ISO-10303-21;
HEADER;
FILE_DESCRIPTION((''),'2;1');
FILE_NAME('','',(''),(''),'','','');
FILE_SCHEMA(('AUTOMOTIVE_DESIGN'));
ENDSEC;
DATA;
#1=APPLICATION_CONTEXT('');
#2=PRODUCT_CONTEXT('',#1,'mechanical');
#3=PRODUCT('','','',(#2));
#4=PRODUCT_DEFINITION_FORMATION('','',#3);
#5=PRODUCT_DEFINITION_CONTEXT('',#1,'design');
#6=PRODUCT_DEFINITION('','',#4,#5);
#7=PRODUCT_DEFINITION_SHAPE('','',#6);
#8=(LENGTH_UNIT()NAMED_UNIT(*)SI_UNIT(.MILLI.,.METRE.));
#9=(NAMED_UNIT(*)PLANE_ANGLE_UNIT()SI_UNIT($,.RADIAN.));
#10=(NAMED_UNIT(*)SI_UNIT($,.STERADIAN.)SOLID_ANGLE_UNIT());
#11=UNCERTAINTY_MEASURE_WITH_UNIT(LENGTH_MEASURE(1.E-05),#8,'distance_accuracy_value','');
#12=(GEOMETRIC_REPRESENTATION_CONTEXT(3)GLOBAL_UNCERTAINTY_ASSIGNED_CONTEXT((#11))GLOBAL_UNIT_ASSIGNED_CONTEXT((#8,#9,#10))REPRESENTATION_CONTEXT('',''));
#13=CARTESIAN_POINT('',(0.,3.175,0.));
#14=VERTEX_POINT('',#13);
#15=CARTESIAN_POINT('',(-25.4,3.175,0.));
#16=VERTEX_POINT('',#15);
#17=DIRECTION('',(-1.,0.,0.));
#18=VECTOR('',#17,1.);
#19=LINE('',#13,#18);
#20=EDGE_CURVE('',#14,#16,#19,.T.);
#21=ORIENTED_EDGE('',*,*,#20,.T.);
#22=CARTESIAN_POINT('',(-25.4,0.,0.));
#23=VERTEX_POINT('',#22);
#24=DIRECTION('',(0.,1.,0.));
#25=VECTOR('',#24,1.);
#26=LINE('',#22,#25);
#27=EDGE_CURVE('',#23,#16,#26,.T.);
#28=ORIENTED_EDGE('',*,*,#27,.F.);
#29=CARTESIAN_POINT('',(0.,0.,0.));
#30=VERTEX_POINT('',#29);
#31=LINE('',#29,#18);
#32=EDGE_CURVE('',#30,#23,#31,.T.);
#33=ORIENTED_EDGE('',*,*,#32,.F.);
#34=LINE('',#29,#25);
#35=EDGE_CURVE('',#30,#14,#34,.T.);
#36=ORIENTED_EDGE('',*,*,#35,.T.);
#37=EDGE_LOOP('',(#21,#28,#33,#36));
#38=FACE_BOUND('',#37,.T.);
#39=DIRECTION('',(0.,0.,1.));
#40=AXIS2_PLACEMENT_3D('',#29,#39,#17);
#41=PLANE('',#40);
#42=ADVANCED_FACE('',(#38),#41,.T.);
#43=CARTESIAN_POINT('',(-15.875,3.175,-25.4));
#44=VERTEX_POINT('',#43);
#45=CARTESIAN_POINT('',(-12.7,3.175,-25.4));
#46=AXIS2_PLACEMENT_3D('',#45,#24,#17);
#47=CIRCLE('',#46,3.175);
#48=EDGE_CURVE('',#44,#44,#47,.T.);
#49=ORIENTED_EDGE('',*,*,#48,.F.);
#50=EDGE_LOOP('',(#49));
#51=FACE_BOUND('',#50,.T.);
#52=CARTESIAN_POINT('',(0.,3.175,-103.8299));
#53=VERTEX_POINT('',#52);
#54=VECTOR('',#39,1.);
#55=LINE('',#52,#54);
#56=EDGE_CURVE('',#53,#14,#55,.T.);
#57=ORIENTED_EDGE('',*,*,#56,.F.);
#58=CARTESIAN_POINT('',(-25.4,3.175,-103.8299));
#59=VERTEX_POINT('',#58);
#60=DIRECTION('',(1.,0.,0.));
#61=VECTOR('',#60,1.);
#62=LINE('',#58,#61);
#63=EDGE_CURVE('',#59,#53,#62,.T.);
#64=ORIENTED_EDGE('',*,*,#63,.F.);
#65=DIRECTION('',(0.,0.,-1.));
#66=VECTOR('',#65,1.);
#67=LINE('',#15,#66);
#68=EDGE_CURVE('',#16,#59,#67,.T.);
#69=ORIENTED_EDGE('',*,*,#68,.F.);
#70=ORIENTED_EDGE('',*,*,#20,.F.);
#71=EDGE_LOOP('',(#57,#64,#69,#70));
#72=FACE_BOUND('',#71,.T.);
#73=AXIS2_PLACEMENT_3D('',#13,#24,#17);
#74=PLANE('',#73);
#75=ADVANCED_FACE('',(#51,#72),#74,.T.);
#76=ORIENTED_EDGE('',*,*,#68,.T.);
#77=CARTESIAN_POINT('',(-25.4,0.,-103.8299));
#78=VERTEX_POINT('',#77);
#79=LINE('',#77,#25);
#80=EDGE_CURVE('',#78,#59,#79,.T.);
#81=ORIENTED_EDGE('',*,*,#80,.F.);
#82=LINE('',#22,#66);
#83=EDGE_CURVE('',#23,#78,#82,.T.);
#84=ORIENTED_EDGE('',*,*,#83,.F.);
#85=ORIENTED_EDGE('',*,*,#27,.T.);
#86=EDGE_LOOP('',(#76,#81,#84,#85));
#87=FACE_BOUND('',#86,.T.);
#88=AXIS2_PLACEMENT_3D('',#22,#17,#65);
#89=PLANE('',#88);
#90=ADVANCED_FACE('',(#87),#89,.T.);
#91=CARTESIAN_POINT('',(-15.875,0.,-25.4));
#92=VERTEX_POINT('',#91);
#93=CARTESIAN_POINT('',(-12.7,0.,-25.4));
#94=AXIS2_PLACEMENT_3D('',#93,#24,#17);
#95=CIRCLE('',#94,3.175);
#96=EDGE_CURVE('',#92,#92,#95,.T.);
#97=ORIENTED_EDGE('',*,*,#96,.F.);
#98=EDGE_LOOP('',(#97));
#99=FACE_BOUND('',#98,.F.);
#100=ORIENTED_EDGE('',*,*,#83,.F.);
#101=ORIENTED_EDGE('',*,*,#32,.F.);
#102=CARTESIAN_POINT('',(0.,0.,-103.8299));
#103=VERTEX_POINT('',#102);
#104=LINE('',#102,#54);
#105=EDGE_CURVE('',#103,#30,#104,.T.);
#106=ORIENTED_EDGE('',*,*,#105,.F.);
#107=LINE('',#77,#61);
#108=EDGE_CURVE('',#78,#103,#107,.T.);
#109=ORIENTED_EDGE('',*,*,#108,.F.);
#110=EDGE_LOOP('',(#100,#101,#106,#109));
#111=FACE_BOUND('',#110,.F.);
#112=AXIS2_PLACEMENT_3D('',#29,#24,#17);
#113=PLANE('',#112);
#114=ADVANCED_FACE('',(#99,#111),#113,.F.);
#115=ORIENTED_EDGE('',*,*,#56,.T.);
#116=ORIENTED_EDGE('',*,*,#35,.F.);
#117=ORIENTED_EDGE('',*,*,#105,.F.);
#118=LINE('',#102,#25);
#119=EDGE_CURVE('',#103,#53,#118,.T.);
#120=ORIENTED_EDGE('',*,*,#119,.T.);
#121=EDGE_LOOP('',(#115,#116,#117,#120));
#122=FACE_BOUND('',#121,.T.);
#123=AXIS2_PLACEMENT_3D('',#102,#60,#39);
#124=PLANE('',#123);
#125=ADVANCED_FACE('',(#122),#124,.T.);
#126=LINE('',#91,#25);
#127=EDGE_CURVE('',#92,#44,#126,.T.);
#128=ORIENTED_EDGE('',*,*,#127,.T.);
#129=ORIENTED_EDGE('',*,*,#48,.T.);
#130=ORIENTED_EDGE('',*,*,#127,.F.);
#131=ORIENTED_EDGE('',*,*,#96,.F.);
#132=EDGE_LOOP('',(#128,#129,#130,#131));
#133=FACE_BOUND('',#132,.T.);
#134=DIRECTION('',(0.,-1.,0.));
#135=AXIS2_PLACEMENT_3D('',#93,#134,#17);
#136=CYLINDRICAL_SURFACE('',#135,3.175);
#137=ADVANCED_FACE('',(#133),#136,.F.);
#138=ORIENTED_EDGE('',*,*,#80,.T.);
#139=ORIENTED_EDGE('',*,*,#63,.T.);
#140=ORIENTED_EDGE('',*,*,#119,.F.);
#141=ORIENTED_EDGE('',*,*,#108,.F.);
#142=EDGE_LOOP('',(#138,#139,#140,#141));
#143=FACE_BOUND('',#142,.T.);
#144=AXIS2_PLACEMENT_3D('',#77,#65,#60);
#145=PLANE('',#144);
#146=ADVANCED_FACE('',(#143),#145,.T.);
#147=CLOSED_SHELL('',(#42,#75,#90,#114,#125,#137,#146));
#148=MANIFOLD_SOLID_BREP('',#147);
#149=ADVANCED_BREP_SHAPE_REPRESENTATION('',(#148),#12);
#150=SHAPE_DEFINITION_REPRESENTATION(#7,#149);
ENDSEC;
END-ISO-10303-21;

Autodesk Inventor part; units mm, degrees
ref_plane "YZ Plane" through (0, 0, 0) normal (1, 0, 0) x (0, 1, 0)
ref_plane "XZ Plane" through (0, 0, 0) normal (0, 1, 0) x (-1, 0, 0)
ref_plane "XY Plane" through (0, 0, 0) normal (0, 0, 1) x (1, 0, 0)
sketch "Sketch1" plane through (0, 0, 0) normal (0, 1, 0) x (-1, 0, 0)
  line L0 (0, 0) -> (25.4, 0)
  line L1 (25.4, 0) -> (25.4, -103.8299)
  line L2 (25.4, -103.8299) -> (0, -103.8299)
  line L3 (0, -103.8299) -> (0, 0)
  circle A0 centre (12.7, -25.4) radius 3.175
  point P0 (12.7, 0)
  dimension "d0" = 25.4
  dimension "d3" = 6.35
  dimension "d4" = 25.4
extrude "Extrusion1" add sketch "Sketch1" along normal blind 3.175
properties part number "Plate" material "Aluminum 6061"
